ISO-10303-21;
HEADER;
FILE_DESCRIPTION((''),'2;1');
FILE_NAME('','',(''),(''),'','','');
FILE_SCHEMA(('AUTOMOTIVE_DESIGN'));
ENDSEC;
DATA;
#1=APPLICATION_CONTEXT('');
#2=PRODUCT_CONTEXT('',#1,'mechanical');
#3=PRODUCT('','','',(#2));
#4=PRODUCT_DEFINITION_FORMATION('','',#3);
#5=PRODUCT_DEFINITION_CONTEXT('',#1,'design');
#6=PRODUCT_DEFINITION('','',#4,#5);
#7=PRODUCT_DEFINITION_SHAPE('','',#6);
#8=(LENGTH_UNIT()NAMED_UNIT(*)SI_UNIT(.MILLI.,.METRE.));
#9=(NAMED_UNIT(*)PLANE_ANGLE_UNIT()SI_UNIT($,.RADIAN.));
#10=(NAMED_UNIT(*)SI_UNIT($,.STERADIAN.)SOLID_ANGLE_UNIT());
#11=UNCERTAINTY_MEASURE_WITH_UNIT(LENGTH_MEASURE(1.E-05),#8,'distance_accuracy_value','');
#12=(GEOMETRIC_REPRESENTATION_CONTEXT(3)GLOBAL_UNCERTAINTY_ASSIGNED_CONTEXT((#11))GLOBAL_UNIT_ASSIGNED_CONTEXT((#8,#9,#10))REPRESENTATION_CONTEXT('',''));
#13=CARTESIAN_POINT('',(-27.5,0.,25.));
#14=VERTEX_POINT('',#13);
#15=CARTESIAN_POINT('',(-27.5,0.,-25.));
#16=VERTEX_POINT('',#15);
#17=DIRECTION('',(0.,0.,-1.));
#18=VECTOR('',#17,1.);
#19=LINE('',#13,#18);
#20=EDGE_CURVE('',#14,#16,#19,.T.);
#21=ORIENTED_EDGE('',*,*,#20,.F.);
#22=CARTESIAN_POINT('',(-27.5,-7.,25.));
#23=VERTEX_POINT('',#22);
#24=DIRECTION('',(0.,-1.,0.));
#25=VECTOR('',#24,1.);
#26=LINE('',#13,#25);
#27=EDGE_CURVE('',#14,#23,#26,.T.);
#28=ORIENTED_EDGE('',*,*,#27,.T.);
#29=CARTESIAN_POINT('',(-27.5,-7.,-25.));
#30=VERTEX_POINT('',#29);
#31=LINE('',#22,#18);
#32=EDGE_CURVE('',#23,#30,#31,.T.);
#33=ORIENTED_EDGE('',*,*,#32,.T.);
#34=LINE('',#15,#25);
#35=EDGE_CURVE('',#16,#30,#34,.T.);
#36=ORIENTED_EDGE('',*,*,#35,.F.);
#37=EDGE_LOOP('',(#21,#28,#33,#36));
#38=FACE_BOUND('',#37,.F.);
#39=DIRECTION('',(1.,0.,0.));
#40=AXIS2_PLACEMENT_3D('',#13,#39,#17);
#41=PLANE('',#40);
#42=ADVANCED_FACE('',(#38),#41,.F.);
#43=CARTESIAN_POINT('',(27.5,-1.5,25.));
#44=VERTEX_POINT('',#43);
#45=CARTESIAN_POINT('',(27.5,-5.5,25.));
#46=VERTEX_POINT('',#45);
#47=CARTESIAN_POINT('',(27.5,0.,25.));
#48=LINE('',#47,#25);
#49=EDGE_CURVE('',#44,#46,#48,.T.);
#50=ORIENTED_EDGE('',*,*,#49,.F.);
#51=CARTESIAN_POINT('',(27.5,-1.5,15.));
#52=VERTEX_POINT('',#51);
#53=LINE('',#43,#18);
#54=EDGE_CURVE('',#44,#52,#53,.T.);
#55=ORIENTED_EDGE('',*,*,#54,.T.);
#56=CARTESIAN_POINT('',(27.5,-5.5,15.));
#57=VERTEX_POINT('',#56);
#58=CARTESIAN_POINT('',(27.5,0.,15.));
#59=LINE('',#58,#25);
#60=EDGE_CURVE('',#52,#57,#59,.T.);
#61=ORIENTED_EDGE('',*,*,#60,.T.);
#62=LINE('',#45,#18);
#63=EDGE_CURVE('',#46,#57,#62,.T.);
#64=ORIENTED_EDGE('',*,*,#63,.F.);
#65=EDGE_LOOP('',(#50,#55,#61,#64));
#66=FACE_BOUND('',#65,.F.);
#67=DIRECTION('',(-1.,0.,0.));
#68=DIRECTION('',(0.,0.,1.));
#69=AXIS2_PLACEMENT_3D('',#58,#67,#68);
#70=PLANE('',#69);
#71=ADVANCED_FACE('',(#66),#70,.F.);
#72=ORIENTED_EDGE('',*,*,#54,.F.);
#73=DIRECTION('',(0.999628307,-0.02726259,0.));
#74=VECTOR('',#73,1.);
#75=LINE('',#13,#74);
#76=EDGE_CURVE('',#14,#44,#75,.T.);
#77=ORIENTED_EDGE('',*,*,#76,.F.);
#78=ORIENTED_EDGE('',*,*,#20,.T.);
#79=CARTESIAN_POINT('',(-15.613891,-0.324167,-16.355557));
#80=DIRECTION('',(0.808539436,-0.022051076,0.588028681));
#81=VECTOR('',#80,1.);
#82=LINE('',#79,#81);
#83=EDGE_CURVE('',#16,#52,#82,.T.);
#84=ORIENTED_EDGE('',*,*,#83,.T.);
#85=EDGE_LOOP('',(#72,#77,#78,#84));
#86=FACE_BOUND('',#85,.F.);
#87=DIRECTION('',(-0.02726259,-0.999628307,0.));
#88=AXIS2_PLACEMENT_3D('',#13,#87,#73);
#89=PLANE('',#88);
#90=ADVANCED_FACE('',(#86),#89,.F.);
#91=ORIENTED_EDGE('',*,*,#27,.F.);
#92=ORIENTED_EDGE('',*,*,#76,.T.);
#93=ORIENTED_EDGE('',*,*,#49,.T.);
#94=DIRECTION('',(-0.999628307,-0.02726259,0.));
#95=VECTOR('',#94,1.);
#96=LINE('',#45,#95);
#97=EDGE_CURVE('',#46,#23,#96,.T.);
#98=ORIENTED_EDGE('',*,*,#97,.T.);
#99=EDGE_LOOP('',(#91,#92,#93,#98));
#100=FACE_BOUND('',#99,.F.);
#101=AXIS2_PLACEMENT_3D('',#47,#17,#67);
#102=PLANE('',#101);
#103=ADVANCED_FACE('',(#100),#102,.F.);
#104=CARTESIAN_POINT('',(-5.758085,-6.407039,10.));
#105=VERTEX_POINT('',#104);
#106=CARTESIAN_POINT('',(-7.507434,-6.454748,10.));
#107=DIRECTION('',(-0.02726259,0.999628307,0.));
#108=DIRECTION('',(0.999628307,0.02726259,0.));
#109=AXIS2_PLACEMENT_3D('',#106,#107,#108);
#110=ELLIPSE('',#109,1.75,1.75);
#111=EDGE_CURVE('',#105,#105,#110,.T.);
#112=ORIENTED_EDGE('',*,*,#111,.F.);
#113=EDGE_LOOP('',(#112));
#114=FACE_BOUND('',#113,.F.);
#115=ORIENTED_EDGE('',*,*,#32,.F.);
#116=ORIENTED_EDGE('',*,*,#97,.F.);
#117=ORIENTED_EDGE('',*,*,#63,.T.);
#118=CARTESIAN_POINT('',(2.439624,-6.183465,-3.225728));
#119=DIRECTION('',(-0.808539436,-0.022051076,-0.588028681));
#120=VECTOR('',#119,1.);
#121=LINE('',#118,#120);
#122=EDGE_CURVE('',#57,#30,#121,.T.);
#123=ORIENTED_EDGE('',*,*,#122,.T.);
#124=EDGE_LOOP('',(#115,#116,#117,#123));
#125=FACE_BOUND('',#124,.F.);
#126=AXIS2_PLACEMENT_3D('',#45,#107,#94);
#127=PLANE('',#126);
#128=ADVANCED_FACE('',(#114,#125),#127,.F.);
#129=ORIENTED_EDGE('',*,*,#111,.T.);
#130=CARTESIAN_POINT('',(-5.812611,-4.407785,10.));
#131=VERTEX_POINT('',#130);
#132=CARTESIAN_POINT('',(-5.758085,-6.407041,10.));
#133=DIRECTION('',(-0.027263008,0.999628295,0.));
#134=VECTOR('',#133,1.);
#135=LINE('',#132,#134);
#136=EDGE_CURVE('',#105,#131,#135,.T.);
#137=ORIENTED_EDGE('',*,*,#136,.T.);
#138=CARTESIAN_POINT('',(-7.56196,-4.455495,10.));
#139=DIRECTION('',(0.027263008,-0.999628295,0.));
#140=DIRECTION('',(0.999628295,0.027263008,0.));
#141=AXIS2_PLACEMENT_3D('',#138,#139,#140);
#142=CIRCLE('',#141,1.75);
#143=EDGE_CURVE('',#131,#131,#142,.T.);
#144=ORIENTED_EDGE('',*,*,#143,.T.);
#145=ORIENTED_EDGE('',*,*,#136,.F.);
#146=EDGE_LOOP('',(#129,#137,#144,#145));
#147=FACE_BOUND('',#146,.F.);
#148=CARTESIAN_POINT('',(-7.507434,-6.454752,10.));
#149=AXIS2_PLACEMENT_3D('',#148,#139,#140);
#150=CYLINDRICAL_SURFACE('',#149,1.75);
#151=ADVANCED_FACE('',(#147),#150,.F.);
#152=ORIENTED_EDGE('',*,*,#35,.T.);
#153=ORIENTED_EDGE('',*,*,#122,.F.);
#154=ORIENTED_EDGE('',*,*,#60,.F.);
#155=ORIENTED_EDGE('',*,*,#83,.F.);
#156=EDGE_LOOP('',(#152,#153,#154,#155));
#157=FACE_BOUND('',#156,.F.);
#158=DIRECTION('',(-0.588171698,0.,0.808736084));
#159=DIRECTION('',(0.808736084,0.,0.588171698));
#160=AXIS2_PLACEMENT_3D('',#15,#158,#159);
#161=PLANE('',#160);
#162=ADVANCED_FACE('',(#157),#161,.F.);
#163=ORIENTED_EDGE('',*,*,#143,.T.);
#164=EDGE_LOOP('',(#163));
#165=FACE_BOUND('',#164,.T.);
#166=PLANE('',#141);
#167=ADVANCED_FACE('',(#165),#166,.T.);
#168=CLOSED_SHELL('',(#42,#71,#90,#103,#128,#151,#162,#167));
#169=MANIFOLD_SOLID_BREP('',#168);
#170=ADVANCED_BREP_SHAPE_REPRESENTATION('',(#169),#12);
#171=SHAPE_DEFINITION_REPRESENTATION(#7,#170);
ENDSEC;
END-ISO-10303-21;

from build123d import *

# Parameters (mm, degrees)
F1_DEPTH = 7
F3_DEPTH = 50.001
F4_R     = 1.75
F5_DEPTH = 2


with BuildPart() as f1:
    # F0 (on Front) → F1 (new body)
    with BuildSketch(Plane.XZ):
        Polygon((27.5, 15), (27.5, 25), (-27.5, 25), (-27.5, -25), align=None)
    extrude(amount=F1_DEPTH)

    # F2 (on face) → F3 (cut, through all)
    with BuildSketch(Plane.XY.offset(25)):
        Polygon((27.5, 0), (-27.5, 0), (27.5, -1.5), align=None)
        Polygon((27.5, -5.5), (-27.5, -7), (27.5, -7), align=None)
    extrude(amount=-F3_DEPTH, mode=Mode.SUBTRACT)

    # F4 (on face) → F5 (cut)
    with BuildSketch(Plane(origin=(0.170328, -6.245355, 0), x_dir=(0.999628, 0.027263, 0), z_dir=(0.027263, -0.999628, 0))):
        with Locations((-7.680617, 10)):
            Circle(F4_R)
    extrude(amount=-F5_DEPTH, mode=Mode.SUBTRACT)


solid = f1.part
